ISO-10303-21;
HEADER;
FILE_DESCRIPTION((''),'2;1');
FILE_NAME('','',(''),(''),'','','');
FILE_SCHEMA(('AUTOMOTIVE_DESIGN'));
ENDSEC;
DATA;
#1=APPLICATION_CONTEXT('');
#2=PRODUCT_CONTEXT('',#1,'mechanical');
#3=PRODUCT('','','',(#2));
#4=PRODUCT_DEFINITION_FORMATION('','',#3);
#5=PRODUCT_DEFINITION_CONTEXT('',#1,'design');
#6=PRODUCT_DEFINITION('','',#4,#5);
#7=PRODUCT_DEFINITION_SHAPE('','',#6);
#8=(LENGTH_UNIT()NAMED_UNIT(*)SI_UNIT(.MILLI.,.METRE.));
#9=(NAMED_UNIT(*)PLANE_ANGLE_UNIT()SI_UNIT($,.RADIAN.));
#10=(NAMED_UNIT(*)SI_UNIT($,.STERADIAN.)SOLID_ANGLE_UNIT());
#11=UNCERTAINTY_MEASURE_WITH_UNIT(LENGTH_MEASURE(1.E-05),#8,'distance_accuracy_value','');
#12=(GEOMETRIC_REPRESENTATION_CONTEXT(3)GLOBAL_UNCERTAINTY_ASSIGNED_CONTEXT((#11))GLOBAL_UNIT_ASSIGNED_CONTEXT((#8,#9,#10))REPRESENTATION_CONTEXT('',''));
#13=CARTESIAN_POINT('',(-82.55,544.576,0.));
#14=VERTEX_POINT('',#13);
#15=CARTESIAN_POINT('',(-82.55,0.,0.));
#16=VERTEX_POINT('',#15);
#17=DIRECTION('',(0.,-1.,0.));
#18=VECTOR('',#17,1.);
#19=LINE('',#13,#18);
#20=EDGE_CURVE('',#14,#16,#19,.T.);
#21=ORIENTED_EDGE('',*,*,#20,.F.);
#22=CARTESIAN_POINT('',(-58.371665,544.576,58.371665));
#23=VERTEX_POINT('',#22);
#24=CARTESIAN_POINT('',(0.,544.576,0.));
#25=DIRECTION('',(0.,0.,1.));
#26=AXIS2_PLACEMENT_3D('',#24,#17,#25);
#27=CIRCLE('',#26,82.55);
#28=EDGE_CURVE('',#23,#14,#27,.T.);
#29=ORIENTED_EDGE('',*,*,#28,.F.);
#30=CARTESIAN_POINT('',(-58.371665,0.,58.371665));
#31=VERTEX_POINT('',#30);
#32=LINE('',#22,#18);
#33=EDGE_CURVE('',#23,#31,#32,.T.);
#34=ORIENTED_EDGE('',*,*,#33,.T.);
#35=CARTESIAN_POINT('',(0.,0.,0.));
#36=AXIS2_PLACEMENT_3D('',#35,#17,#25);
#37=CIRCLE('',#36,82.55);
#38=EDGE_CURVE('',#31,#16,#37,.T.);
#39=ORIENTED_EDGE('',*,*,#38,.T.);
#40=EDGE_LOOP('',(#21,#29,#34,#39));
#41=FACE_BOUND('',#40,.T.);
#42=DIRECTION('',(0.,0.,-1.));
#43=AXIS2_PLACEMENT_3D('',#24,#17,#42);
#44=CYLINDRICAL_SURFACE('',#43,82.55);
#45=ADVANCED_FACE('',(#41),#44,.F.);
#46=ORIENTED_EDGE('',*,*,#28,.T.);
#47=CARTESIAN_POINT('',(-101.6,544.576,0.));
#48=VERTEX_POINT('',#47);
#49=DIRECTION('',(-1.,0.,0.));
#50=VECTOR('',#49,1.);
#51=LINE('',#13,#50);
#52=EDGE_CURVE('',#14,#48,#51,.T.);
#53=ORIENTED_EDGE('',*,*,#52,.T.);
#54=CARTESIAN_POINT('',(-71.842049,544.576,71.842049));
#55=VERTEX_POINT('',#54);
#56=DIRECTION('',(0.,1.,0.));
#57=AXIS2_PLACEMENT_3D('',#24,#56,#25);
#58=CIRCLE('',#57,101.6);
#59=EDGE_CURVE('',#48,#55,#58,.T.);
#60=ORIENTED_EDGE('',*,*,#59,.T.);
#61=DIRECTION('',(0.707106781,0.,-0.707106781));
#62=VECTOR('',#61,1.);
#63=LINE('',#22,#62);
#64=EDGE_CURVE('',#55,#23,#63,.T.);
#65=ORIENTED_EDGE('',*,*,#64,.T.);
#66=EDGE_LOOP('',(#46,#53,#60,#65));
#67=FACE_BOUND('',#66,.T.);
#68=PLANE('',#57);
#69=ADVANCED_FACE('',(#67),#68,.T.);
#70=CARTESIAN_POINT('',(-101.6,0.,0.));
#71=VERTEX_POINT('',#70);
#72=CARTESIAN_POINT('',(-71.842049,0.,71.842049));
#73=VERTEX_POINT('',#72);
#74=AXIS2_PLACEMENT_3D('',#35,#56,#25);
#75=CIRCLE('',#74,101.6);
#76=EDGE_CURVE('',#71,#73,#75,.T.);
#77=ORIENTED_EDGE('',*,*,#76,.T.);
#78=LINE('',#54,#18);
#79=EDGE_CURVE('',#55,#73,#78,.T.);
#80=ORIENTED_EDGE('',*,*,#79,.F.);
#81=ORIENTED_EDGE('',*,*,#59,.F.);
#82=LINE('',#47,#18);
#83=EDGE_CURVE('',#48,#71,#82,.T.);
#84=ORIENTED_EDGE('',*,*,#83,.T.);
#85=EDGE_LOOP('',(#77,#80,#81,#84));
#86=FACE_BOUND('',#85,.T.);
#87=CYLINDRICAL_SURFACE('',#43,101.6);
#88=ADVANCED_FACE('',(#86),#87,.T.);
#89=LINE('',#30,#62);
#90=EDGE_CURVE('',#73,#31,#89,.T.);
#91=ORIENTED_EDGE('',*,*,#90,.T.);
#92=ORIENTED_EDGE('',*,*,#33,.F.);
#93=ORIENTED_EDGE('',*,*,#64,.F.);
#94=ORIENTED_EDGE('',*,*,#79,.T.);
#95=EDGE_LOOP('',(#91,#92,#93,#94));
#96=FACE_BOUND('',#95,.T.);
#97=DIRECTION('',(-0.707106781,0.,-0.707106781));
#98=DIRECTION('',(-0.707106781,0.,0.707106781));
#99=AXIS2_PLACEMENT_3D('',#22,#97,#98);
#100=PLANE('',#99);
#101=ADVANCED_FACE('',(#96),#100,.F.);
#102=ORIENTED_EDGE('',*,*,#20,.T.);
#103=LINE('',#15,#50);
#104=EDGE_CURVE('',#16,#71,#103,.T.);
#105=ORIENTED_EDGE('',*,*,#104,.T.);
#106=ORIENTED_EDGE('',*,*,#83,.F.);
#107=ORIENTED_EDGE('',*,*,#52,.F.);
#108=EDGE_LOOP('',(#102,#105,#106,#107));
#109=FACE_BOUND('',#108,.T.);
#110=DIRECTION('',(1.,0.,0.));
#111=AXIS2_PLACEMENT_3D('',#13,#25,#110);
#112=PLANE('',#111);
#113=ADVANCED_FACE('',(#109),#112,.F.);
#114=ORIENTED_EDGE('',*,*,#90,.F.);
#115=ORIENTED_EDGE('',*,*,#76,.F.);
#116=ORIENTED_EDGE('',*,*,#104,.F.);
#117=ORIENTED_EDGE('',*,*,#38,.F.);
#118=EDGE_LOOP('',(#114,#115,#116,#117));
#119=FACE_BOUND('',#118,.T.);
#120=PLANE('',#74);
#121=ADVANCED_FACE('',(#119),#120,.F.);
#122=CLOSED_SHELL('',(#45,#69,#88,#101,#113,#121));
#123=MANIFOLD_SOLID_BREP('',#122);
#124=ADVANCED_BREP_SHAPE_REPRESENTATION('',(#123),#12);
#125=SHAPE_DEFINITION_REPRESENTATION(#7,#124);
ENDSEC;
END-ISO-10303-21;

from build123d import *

# Parameters (mm, degrees)
BOSS_EXTRUDE1_DEPTH = 544.576


with BuildPart() as part:
    # Sketch1 → Boss-Extrude1 (new body)
    with BuildSketch(Plane(origin=(0, 0, 0), x_dir=(1, 0, 0), z_dir=(0, 1, 0))):
        with BuildLine():
            Line((-82.55, 0), (-101.6, 0))
            ThreePointArc((-101.6, 0), (-93.866160503, -38.880636728), (-71.842048969, -71.842048969))
            Line((-71.842048969, -71.842048969), (-58.371664787, -58.371664787))
            ThreePointArc((-58.371664787, -58.371664787), (-76.266255409, -31.590517342), (-82.55, 0))
        make_face()
    extrude(amount=BOSS_EXTRUDE1_DEPTH)


solid = part.part
